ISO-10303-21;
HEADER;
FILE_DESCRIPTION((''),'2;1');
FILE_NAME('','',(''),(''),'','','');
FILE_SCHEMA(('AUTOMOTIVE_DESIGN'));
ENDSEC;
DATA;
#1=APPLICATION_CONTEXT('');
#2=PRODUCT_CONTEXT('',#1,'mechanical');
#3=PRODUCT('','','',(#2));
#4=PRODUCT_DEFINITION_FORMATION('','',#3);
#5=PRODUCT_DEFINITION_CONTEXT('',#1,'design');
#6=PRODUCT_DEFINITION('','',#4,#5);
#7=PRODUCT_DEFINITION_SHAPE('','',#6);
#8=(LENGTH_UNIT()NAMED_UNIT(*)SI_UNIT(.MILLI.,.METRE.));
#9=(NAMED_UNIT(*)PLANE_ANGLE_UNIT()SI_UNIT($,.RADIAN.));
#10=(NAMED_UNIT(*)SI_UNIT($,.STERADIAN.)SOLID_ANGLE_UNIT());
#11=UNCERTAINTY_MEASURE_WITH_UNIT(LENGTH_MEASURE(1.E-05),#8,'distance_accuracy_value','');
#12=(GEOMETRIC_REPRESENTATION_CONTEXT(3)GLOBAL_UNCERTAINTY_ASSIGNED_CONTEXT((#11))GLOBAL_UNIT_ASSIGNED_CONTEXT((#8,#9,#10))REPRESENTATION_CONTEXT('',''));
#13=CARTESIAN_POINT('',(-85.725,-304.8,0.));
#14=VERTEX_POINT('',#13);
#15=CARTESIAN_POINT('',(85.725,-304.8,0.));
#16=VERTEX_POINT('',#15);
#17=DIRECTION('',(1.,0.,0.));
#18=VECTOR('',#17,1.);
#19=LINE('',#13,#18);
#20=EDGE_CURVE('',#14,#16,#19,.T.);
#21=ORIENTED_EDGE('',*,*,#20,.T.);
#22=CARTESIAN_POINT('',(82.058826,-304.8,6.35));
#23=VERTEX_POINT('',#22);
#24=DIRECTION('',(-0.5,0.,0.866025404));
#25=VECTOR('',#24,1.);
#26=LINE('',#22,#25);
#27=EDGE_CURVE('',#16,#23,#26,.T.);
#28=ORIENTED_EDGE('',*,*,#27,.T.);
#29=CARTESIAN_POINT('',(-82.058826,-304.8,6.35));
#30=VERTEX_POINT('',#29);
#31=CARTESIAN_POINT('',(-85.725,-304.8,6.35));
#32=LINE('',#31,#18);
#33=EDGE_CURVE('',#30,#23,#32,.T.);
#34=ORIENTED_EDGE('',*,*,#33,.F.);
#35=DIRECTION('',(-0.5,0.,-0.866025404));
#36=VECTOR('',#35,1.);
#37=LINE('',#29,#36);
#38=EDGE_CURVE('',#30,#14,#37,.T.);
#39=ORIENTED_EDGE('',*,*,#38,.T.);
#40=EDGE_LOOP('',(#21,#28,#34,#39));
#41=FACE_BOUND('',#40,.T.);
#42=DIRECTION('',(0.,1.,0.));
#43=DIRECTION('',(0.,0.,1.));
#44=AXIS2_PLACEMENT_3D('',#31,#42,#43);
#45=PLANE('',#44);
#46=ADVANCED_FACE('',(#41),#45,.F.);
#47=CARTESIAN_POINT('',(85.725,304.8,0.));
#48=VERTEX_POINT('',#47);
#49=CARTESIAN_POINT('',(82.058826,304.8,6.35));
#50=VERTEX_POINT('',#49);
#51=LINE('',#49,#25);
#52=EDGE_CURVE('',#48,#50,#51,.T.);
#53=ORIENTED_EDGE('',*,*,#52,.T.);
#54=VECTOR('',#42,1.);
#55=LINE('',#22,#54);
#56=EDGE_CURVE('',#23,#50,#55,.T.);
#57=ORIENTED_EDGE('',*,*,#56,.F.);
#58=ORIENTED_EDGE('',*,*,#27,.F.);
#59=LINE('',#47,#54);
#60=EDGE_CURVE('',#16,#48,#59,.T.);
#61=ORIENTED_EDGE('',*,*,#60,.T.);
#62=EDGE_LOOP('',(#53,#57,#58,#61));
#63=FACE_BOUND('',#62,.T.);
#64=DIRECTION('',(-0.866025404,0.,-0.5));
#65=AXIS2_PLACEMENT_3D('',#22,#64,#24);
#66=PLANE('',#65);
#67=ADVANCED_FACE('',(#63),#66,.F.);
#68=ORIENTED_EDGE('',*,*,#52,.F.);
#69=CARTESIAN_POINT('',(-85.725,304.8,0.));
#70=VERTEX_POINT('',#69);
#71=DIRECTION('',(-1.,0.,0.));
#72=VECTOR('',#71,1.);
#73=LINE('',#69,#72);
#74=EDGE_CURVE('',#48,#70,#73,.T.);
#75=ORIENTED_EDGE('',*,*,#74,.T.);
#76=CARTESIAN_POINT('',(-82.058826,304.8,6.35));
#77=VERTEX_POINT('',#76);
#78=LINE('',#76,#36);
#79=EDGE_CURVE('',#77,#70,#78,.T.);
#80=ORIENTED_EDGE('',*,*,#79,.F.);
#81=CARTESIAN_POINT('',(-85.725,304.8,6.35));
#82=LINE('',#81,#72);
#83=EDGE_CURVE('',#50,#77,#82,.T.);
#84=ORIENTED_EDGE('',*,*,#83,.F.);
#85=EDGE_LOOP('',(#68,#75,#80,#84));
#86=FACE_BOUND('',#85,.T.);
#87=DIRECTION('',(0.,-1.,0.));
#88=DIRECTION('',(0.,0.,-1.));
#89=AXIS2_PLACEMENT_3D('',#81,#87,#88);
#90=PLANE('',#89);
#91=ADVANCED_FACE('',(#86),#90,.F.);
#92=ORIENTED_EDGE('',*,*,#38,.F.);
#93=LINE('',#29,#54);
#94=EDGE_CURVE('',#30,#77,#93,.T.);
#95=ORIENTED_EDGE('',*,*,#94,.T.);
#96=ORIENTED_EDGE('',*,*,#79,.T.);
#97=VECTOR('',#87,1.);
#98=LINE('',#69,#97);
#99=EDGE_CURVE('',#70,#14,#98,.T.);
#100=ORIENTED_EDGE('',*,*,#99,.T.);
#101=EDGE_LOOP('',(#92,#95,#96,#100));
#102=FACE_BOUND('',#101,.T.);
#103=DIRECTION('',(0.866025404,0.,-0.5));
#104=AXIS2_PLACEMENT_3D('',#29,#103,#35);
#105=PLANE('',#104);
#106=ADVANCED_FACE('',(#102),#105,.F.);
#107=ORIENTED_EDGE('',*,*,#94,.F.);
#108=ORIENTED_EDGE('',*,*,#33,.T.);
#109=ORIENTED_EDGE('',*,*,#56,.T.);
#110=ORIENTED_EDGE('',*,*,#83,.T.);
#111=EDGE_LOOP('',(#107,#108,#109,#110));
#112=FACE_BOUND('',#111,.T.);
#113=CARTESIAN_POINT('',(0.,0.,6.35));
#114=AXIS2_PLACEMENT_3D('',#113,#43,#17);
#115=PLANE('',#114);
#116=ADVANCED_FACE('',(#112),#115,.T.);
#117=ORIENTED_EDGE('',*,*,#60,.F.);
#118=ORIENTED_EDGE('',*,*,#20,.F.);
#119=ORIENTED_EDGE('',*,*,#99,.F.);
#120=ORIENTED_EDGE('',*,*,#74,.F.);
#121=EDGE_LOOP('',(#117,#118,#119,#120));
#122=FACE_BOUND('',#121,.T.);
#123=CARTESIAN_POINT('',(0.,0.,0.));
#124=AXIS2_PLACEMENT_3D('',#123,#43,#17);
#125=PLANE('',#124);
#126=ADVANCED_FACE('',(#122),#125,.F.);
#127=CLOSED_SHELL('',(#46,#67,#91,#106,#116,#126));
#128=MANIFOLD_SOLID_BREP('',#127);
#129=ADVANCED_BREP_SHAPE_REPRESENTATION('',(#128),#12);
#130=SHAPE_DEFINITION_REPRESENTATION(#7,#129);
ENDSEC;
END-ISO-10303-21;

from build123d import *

# Parameters (mm, degrees)
SKETCH1_W           = 171.45
SKETCH1_H           = 609.6
BOSS_EXTRUDE1_DEPTH = 6.35
CUT_EXTRUDE1_DEPTH  = 616.630780684


with BuildPart() as part:
    # Sketch1 → Boss-Extrude1 (new body)
    with BuildSketch(Plane.XY):
        Rectangle(SKETCH1_W, SKETCH1_H)
    extrude(amount=BOSS_EXTRUDE1_DEPTH)

    # Sketch3 → Cut-Extrude1 (cut, through all)
    with BuildSketch(Plane(origin=(0, 304.8, 0), x_dir=(1, 0, 0), z_dir=(0, 1, 0))):
        Polygon((-85.725, 0), (-85.725, -6.35), (-82.058825791, -6.35), align=None)
        Polygon((82.058825791, -6.35), (85.725, 0), (85.725, -6.35), align=None)
    extrude(amount=-CUT_EXTRUDE1_DEPTH, mode=Mode.SUBTRACT)


solid = part.part
